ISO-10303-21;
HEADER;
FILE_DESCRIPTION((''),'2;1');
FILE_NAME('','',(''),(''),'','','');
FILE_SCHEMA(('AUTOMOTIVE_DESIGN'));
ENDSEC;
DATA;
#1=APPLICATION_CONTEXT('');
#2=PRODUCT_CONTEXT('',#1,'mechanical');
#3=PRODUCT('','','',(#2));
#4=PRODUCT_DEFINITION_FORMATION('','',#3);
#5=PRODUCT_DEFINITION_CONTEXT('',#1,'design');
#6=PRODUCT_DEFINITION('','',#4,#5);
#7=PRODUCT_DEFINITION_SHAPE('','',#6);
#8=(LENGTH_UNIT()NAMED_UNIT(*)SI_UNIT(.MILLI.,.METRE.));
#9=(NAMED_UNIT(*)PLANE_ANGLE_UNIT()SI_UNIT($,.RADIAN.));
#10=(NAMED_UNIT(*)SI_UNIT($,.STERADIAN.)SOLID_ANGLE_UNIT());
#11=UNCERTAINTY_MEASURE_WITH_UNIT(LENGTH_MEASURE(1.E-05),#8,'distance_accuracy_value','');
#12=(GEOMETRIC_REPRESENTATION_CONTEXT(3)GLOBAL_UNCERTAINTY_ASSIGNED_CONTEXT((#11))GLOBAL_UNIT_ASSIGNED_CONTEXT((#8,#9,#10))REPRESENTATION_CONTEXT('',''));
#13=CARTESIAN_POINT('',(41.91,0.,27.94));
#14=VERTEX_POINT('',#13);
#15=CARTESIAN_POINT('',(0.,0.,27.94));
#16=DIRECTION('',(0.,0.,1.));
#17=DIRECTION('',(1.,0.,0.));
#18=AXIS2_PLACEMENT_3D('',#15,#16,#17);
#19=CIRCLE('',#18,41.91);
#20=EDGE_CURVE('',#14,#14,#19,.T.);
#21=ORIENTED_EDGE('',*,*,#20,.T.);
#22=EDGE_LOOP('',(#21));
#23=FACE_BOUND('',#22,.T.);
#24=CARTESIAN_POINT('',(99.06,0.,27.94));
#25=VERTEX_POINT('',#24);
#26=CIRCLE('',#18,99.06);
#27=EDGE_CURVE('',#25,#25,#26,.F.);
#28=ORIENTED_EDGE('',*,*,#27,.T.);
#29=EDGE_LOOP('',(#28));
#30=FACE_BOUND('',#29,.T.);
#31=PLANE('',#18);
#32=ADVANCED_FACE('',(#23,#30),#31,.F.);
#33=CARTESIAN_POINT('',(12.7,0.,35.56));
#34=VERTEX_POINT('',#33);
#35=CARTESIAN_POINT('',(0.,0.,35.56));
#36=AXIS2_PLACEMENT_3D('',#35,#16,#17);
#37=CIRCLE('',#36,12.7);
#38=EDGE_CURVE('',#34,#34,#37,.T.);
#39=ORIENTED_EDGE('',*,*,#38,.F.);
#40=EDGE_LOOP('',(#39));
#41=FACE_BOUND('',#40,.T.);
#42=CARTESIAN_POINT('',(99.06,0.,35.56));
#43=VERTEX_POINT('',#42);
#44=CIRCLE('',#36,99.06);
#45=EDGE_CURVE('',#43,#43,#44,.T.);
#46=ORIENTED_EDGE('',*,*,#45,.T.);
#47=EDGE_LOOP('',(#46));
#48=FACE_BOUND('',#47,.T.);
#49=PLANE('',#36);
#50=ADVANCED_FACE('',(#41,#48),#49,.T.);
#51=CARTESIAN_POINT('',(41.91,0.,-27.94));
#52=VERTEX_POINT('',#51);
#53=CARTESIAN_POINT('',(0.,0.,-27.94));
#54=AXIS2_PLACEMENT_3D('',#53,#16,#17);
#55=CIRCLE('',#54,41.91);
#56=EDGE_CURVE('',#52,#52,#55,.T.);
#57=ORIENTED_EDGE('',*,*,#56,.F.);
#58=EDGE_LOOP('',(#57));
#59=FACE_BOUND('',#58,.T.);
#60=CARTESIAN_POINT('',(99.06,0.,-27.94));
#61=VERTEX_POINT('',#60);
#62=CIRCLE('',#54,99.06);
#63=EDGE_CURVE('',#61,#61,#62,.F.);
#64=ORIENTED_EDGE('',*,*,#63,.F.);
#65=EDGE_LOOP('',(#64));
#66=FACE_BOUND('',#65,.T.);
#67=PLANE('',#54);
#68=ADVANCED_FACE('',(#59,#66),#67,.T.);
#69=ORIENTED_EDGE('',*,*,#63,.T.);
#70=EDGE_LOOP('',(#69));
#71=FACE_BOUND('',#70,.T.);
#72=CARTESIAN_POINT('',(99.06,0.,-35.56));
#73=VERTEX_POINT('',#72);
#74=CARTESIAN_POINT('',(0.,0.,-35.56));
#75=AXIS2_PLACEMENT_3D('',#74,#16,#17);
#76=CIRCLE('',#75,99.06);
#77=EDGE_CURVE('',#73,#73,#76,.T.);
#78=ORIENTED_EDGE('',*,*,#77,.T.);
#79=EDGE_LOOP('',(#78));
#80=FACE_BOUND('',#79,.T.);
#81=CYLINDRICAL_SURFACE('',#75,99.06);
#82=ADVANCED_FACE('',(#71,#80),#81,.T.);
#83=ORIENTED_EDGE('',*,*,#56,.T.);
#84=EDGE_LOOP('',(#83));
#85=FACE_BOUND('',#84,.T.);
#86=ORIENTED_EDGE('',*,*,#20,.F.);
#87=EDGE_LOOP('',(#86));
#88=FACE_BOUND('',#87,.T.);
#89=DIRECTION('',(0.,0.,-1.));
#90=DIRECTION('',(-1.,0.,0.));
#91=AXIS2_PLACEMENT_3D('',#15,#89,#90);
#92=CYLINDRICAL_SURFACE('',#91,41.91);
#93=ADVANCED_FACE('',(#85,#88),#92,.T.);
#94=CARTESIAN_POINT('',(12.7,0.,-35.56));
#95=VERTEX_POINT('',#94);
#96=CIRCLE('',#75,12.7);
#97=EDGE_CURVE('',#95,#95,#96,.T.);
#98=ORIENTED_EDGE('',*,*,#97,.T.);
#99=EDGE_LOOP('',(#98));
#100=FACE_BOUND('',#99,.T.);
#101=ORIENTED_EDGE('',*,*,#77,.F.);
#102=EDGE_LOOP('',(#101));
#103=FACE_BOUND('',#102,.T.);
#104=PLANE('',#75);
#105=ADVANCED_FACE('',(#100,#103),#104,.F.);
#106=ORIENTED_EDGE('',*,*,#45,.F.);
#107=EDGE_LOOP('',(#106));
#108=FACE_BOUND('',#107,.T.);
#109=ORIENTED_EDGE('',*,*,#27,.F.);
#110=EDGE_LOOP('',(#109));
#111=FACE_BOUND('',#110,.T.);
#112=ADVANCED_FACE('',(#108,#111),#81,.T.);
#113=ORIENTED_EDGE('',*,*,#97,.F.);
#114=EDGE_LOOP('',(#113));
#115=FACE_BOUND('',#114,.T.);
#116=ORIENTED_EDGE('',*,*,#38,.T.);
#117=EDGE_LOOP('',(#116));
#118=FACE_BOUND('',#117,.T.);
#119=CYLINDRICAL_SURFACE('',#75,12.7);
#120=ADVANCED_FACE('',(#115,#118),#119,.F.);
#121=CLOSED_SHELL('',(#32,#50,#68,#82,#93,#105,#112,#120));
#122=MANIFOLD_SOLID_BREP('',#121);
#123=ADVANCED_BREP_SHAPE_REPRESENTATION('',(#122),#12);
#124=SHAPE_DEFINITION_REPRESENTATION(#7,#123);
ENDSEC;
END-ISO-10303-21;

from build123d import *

# Parameters (mm, degrees)
SKETCH1_R                = 99.06
BOSS_EXTRUDE1_DEPTH      = 35.56
BOSS_EXTRUDE1_DEPTH_BACK = 35.56
SKETCH3_OUTSIDE_W        = 257.934
SKETCH3_OUTSIDE_H        = 257.934
SKETCH3_OUTSIDE_R        = 41.91
CUT_EXTRUDE1_DEPTH       = 27.94
CUT_EXTRUDE1_DEPTH_BACK  = 27.94
SKETCH4_R                = 12.7
CUT_EXTRUDE2_DEPTH       = 36.56
CUT_EXTRUDE2_DEPTH_BACK  = 36.56


with BuildPart() as part:
    # Sketch1 → Boss-Extrude1 (new body, two sides)
    with BuildSketch(Plane.XY) as boss_extrude1_sk:
        Circle(SKETCH1_R)
    extrude(amount=BOSS_EXTRUDE1_DEPTH)
    extrude(boss_extrude1_sk.sketch, amount=-BOSS_EXTRUDE1_DEPTH_BACK)

    # Sketch3 outside → Cut-Extrude1 (cut, two sides)
    with BuildSketch(Plane.XY) as cut_extrude1_sk:
        Rectangle(SKETCH3_OUTSIDE_W, SKETCH3_OUTSIDE_H)
        Circle(SKETCH3_OUTSIDE_R, mode=Mode.SUBTRACT)
    extrude(amount=CUT_EXTRUDE1_DEPTH, mode=Mode.SUBTRACT)
    extrude(cut_extrude1_sk.sketch, amount=-CUT_EXTRUDE1_DEPTH_BACK, mode=Mode.SUBTRACT)

    # Sketch4 → Cut-Extrude2 (cut, two sides)
    with BuildSketch(Plane.XY) as cut_extrude2_sk:
        Circle(SKETCH4_R)
    extrude(amount=CUT_EXTRUDE2_DEPTH, mode=Mode.SUBTRACT)
    extrude(cut_extrude2_sk.sketch, amount=-CUT_EXTRUDE2_DEPTH_BACK, mode=Mode.SUBTRACT)


solid = part.part
